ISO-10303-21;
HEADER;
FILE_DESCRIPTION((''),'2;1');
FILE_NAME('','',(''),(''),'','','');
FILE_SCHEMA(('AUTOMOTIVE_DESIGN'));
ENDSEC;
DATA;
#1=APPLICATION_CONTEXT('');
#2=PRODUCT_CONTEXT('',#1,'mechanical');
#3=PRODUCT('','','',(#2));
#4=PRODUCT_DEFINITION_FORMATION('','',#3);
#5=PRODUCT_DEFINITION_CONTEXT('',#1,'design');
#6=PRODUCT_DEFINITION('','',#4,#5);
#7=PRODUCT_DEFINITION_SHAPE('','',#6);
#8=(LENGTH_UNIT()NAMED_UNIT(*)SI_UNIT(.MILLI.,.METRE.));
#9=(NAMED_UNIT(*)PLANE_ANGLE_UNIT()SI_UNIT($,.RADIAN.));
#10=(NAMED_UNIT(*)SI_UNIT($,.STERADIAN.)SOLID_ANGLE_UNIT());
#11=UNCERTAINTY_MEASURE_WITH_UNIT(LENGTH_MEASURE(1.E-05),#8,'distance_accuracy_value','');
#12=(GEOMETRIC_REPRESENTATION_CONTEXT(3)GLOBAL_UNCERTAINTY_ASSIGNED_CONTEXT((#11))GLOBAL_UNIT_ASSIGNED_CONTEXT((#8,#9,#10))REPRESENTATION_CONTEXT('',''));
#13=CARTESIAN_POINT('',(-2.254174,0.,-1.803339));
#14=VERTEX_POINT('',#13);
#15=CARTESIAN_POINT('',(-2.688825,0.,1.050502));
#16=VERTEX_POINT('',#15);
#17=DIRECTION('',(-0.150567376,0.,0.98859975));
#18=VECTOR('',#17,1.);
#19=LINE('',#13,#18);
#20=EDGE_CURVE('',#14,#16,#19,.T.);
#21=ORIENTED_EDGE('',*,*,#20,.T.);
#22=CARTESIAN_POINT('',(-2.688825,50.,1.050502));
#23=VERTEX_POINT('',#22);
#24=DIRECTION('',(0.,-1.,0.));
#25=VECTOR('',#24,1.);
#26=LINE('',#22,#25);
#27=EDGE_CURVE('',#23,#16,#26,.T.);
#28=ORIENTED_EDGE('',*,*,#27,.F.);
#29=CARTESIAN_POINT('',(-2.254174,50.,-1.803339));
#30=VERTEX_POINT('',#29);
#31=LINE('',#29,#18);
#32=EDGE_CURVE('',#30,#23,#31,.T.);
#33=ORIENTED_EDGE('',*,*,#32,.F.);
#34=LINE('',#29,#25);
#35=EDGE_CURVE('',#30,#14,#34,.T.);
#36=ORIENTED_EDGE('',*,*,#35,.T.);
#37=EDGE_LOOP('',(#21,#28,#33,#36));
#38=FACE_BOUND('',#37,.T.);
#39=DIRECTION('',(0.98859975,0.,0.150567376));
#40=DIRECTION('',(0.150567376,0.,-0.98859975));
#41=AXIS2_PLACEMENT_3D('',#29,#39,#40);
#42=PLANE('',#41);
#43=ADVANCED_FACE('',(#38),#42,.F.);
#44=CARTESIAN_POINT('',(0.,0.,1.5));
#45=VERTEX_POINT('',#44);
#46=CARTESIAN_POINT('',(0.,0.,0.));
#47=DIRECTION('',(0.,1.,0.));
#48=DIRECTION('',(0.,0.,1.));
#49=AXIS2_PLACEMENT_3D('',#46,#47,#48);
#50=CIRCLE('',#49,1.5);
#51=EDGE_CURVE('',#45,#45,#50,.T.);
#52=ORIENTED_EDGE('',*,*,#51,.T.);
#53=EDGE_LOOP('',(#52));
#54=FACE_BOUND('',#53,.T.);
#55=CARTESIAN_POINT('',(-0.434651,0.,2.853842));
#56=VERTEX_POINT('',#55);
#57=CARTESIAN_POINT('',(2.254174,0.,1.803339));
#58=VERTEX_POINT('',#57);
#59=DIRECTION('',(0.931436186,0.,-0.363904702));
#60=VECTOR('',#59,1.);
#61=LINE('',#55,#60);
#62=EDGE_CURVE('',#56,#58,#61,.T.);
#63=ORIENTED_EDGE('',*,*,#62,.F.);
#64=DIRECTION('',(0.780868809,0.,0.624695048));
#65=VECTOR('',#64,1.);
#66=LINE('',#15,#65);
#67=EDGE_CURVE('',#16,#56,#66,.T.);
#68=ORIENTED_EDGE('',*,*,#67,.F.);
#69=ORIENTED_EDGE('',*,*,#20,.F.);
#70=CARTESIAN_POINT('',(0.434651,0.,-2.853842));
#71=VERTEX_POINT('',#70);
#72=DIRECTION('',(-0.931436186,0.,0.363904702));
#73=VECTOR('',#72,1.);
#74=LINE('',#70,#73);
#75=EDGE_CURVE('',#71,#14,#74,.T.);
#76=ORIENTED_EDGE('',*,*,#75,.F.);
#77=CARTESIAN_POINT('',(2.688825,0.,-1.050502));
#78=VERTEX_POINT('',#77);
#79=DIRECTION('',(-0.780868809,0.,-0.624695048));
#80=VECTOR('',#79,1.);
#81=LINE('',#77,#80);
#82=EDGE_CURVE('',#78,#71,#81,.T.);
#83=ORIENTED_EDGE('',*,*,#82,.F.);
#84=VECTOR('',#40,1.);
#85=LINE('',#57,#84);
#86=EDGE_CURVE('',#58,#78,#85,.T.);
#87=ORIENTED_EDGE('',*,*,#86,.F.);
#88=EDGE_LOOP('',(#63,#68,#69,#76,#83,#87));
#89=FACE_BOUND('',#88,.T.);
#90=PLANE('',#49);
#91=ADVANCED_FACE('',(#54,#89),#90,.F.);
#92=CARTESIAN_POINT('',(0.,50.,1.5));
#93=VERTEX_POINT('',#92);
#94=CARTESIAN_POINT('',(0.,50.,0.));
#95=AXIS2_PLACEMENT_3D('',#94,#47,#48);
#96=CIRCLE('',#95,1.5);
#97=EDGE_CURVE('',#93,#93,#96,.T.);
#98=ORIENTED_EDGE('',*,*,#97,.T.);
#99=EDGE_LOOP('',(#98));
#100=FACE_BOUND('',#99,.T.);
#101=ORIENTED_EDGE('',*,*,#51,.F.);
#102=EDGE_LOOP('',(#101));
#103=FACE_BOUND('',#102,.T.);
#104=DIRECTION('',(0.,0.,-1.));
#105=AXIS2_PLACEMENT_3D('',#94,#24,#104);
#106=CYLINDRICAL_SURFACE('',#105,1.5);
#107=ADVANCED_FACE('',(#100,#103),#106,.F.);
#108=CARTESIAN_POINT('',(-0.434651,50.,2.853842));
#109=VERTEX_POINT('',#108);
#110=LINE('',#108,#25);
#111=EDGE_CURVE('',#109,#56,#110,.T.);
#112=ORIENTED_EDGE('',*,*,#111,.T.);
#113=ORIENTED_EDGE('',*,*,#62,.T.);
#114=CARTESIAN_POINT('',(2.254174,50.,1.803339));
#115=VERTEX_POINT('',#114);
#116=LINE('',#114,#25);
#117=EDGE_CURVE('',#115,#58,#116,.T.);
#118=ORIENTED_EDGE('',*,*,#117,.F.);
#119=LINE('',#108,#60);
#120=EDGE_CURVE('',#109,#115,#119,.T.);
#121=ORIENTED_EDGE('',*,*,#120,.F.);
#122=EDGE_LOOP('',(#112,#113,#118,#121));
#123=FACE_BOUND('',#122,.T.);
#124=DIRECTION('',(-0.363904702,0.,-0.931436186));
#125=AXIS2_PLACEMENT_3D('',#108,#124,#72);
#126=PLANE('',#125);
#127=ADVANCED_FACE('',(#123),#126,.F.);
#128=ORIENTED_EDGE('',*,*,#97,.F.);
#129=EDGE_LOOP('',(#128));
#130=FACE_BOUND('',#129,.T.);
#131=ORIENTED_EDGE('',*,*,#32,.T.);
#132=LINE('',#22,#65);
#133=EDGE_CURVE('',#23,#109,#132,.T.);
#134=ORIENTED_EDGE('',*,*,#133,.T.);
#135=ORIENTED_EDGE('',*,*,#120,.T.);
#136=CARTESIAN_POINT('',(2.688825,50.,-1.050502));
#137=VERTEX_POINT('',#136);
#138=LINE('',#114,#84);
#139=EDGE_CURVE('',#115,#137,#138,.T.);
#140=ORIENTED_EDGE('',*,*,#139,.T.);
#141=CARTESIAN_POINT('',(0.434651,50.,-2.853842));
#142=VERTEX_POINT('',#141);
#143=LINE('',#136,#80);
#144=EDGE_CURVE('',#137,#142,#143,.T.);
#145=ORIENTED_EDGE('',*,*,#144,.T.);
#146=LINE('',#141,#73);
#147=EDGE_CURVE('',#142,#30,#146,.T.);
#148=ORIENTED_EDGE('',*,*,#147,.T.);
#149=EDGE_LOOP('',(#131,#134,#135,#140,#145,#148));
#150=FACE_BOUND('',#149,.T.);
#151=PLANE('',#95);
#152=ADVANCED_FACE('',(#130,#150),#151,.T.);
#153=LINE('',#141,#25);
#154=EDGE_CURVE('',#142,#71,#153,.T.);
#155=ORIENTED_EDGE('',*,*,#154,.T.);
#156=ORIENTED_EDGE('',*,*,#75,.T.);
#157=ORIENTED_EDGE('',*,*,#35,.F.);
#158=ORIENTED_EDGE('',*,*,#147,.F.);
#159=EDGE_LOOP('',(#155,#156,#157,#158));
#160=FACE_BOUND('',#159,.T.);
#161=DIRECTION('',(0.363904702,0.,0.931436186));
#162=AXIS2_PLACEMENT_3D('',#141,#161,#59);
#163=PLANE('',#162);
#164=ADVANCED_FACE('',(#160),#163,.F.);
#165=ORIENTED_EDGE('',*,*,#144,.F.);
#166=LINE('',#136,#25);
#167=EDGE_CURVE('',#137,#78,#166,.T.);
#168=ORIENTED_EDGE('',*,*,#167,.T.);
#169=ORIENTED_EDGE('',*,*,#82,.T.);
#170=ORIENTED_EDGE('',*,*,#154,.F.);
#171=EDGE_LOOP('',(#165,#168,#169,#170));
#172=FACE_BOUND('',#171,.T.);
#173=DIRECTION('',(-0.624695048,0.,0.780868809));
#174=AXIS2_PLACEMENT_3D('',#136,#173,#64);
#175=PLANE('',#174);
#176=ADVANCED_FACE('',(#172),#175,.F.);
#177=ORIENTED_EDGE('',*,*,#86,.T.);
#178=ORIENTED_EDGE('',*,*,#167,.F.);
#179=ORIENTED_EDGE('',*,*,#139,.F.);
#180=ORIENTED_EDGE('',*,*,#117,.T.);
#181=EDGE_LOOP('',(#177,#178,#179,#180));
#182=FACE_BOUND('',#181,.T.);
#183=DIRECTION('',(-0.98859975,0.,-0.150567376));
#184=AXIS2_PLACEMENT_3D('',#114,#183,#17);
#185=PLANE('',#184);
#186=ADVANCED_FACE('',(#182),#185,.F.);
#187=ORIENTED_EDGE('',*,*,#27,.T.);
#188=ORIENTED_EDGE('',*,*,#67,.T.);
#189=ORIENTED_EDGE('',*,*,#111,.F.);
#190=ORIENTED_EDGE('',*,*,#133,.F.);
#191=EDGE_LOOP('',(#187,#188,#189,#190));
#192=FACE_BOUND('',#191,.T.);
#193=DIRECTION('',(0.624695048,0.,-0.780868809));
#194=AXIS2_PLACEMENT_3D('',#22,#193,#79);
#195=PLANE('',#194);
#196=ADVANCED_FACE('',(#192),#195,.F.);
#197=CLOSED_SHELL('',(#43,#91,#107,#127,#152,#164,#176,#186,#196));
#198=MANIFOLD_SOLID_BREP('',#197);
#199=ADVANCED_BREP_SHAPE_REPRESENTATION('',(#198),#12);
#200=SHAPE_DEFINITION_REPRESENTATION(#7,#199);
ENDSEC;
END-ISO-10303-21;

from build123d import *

# Parameters (mm, degrees)
SKETCH1_R           = 1.5
BOSS_EXTRUDE1_DEPTH = 50


with BuildPart() as part:
    # Sketch1 → Boss-Extrude1 (new body)
    with BuildSketch(Plane(origin=(0, 0, 0), x_dir=(1, 0, 0), z_dir=(0, 1, 0))):
        Polygon((2.254174087, -1.803339269), (2.688824662, 1.050502389), (0.434650576, 2.853841658), (-2.254174087, 1.803339269), (-2.688824662, -1.050502389), (-0.434650576, -2.853841658), align=None)
        Circle(SKETCH1_R, mode=Mode.SUBTRACT)
    extrude(amount=BOSS_EXTRUDE1_DEPTH)


solid = part.part
